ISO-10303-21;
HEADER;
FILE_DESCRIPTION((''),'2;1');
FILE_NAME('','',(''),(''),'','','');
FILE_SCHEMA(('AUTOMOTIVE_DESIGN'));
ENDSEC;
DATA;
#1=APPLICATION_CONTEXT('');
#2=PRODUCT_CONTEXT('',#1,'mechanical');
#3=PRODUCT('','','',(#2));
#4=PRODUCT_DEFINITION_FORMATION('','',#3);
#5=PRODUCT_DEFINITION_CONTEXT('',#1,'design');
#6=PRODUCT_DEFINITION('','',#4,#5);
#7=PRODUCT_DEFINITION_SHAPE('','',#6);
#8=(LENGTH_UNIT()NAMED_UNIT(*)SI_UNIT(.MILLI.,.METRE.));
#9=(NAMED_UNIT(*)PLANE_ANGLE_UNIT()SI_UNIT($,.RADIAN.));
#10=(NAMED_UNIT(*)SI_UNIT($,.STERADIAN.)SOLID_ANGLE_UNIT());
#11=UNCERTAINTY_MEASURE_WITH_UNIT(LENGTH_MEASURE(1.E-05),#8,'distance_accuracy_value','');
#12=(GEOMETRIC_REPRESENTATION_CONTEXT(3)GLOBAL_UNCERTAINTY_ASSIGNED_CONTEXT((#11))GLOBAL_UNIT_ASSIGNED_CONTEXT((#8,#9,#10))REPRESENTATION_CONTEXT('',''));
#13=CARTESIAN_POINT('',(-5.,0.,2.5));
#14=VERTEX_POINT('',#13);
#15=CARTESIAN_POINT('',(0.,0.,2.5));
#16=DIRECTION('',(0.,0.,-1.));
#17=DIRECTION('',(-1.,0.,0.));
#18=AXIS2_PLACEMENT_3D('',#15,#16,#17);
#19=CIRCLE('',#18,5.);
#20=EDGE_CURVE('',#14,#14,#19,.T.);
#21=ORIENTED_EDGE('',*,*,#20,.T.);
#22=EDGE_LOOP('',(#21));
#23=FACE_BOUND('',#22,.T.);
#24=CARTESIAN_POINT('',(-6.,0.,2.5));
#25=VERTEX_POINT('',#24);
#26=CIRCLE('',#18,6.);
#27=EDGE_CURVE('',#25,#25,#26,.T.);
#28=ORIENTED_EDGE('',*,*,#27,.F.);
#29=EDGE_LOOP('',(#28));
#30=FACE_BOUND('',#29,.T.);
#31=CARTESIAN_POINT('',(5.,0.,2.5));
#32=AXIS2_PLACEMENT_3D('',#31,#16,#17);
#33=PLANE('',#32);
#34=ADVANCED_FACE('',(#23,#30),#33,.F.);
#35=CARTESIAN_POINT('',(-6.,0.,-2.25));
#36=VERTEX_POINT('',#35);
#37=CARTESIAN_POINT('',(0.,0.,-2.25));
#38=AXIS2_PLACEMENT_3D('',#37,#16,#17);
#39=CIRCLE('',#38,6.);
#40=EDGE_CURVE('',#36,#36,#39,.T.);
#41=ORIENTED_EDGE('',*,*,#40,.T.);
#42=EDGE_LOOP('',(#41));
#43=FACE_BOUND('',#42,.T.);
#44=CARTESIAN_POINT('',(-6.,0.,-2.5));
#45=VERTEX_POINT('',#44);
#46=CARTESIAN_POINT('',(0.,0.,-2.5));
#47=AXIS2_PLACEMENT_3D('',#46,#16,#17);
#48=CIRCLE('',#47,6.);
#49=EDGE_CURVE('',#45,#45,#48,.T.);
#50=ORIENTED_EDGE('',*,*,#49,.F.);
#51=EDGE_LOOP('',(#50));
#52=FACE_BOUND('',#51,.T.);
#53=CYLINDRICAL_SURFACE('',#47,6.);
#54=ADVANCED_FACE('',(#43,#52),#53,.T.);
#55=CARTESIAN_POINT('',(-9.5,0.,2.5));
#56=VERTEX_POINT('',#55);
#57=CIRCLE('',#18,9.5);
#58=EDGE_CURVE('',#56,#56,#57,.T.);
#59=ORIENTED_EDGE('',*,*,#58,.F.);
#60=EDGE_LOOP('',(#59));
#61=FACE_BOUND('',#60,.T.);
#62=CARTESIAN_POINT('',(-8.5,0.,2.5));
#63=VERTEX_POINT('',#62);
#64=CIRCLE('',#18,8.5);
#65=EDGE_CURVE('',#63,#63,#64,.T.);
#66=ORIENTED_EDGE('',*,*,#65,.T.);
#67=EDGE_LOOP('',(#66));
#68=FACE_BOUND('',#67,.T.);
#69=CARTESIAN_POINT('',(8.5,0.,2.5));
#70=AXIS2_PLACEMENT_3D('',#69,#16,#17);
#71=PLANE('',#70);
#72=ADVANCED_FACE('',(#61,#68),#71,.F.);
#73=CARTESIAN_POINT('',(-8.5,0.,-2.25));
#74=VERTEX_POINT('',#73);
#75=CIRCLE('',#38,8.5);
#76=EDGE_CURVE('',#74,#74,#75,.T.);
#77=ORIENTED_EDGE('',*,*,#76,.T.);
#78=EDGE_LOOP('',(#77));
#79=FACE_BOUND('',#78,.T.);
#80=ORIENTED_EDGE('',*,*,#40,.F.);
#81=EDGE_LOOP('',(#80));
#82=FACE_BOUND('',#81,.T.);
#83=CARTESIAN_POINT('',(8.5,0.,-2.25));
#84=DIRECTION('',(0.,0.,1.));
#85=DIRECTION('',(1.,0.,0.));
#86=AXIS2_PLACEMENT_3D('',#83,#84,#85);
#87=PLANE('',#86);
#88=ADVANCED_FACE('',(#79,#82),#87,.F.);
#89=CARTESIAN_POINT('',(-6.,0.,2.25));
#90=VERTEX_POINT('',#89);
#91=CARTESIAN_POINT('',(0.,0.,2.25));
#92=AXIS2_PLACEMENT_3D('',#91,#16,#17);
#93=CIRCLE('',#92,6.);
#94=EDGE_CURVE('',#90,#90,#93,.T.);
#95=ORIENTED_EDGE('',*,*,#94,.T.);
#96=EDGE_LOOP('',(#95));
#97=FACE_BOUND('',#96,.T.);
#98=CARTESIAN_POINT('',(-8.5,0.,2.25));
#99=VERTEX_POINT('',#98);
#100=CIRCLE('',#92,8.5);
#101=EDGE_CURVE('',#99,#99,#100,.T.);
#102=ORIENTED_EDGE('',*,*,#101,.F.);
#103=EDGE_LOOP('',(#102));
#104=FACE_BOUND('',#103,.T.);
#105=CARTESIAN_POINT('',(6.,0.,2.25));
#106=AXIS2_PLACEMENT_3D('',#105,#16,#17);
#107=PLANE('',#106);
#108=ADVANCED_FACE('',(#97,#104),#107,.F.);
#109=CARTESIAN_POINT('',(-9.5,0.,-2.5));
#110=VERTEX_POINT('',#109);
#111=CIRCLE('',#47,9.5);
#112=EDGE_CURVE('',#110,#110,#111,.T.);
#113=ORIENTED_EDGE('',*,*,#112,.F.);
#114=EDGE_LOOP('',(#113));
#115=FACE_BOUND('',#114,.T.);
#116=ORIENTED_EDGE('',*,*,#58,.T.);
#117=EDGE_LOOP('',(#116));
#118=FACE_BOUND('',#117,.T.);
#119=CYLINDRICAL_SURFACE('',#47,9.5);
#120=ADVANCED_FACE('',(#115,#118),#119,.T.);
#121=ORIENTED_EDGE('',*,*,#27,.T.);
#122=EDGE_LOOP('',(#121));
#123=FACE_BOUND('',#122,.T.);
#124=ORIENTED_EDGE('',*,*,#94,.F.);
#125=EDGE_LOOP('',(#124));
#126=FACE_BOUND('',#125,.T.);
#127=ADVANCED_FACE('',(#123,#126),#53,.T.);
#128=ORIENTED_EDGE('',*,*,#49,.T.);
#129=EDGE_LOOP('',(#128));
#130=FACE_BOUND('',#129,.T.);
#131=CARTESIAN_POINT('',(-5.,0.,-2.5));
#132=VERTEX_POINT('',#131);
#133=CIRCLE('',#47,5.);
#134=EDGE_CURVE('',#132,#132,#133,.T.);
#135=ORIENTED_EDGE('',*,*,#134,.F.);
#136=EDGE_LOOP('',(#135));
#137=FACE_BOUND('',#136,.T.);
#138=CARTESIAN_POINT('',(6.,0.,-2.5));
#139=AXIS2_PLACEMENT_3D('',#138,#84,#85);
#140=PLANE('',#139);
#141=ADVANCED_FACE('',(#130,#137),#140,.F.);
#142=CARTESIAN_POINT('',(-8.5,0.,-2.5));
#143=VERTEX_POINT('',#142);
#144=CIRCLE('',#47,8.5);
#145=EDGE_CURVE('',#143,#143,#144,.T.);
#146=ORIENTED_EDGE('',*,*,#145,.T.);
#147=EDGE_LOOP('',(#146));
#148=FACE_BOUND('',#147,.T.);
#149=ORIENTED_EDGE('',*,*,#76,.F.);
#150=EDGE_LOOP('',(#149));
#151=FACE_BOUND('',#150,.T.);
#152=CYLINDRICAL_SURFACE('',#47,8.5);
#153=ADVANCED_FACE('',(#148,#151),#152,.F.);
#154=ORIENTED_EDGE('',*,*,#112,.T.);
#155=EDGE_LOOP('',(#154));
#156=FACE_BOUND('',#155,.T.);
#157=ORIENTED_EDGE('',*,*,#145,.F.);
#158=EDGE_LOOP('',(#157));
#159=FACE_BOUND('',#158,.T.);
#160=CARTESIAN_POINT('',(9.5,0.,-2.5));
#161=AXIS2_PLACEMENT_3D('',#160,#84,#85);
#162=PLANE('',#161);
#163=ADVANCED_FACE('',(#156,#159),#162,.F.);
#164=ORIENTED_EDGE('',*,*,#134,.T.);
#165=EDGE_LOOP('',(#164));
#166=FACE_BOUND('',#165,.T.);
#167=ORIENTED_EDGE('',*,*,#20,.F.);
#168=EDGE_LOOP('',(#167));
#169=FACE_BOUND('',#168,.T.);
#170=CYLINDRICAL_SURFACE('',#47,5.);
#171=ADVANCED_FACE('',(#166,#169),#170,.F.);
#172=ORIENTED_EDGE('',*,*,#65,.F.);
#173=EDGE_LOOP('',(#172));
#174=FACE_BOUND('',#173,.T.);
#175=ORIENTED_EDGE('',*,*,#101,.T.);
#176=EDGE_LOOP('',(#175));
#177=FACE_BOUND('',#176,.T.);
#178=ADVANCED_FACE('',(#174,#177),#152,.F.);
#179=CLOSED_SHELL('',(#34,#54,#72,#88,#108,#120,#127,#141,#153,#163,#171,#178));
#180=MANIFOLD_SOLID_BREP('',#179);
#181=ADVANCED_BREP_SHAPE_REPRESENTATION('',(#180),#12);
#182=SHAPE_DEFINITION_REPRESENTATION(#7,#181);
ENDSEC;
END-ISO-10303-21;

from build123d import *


with BuildPart() as part:
    # Sketch1 → Revolve1 (revolve)
    with BuildSketch(Plane(origin=(0, 0, 0), x_dir=(1, 0, 0), z_dir=(0, 1, 0))):
        Polygon((5, -2.5), (6, -2.5), (6, -2.25), (8.5, -2.25), (8.5, -2.5), (9.5, -2.5), (9.5, 2.5), (8.5, 2.5), (8.5, 2.25), (6, 2.25), (6, 2.5), (5, 2.5), align=None)
    revolve(axis=Axis((0, 0, -2.5), (0, 0, 1)))


solid = part.part
